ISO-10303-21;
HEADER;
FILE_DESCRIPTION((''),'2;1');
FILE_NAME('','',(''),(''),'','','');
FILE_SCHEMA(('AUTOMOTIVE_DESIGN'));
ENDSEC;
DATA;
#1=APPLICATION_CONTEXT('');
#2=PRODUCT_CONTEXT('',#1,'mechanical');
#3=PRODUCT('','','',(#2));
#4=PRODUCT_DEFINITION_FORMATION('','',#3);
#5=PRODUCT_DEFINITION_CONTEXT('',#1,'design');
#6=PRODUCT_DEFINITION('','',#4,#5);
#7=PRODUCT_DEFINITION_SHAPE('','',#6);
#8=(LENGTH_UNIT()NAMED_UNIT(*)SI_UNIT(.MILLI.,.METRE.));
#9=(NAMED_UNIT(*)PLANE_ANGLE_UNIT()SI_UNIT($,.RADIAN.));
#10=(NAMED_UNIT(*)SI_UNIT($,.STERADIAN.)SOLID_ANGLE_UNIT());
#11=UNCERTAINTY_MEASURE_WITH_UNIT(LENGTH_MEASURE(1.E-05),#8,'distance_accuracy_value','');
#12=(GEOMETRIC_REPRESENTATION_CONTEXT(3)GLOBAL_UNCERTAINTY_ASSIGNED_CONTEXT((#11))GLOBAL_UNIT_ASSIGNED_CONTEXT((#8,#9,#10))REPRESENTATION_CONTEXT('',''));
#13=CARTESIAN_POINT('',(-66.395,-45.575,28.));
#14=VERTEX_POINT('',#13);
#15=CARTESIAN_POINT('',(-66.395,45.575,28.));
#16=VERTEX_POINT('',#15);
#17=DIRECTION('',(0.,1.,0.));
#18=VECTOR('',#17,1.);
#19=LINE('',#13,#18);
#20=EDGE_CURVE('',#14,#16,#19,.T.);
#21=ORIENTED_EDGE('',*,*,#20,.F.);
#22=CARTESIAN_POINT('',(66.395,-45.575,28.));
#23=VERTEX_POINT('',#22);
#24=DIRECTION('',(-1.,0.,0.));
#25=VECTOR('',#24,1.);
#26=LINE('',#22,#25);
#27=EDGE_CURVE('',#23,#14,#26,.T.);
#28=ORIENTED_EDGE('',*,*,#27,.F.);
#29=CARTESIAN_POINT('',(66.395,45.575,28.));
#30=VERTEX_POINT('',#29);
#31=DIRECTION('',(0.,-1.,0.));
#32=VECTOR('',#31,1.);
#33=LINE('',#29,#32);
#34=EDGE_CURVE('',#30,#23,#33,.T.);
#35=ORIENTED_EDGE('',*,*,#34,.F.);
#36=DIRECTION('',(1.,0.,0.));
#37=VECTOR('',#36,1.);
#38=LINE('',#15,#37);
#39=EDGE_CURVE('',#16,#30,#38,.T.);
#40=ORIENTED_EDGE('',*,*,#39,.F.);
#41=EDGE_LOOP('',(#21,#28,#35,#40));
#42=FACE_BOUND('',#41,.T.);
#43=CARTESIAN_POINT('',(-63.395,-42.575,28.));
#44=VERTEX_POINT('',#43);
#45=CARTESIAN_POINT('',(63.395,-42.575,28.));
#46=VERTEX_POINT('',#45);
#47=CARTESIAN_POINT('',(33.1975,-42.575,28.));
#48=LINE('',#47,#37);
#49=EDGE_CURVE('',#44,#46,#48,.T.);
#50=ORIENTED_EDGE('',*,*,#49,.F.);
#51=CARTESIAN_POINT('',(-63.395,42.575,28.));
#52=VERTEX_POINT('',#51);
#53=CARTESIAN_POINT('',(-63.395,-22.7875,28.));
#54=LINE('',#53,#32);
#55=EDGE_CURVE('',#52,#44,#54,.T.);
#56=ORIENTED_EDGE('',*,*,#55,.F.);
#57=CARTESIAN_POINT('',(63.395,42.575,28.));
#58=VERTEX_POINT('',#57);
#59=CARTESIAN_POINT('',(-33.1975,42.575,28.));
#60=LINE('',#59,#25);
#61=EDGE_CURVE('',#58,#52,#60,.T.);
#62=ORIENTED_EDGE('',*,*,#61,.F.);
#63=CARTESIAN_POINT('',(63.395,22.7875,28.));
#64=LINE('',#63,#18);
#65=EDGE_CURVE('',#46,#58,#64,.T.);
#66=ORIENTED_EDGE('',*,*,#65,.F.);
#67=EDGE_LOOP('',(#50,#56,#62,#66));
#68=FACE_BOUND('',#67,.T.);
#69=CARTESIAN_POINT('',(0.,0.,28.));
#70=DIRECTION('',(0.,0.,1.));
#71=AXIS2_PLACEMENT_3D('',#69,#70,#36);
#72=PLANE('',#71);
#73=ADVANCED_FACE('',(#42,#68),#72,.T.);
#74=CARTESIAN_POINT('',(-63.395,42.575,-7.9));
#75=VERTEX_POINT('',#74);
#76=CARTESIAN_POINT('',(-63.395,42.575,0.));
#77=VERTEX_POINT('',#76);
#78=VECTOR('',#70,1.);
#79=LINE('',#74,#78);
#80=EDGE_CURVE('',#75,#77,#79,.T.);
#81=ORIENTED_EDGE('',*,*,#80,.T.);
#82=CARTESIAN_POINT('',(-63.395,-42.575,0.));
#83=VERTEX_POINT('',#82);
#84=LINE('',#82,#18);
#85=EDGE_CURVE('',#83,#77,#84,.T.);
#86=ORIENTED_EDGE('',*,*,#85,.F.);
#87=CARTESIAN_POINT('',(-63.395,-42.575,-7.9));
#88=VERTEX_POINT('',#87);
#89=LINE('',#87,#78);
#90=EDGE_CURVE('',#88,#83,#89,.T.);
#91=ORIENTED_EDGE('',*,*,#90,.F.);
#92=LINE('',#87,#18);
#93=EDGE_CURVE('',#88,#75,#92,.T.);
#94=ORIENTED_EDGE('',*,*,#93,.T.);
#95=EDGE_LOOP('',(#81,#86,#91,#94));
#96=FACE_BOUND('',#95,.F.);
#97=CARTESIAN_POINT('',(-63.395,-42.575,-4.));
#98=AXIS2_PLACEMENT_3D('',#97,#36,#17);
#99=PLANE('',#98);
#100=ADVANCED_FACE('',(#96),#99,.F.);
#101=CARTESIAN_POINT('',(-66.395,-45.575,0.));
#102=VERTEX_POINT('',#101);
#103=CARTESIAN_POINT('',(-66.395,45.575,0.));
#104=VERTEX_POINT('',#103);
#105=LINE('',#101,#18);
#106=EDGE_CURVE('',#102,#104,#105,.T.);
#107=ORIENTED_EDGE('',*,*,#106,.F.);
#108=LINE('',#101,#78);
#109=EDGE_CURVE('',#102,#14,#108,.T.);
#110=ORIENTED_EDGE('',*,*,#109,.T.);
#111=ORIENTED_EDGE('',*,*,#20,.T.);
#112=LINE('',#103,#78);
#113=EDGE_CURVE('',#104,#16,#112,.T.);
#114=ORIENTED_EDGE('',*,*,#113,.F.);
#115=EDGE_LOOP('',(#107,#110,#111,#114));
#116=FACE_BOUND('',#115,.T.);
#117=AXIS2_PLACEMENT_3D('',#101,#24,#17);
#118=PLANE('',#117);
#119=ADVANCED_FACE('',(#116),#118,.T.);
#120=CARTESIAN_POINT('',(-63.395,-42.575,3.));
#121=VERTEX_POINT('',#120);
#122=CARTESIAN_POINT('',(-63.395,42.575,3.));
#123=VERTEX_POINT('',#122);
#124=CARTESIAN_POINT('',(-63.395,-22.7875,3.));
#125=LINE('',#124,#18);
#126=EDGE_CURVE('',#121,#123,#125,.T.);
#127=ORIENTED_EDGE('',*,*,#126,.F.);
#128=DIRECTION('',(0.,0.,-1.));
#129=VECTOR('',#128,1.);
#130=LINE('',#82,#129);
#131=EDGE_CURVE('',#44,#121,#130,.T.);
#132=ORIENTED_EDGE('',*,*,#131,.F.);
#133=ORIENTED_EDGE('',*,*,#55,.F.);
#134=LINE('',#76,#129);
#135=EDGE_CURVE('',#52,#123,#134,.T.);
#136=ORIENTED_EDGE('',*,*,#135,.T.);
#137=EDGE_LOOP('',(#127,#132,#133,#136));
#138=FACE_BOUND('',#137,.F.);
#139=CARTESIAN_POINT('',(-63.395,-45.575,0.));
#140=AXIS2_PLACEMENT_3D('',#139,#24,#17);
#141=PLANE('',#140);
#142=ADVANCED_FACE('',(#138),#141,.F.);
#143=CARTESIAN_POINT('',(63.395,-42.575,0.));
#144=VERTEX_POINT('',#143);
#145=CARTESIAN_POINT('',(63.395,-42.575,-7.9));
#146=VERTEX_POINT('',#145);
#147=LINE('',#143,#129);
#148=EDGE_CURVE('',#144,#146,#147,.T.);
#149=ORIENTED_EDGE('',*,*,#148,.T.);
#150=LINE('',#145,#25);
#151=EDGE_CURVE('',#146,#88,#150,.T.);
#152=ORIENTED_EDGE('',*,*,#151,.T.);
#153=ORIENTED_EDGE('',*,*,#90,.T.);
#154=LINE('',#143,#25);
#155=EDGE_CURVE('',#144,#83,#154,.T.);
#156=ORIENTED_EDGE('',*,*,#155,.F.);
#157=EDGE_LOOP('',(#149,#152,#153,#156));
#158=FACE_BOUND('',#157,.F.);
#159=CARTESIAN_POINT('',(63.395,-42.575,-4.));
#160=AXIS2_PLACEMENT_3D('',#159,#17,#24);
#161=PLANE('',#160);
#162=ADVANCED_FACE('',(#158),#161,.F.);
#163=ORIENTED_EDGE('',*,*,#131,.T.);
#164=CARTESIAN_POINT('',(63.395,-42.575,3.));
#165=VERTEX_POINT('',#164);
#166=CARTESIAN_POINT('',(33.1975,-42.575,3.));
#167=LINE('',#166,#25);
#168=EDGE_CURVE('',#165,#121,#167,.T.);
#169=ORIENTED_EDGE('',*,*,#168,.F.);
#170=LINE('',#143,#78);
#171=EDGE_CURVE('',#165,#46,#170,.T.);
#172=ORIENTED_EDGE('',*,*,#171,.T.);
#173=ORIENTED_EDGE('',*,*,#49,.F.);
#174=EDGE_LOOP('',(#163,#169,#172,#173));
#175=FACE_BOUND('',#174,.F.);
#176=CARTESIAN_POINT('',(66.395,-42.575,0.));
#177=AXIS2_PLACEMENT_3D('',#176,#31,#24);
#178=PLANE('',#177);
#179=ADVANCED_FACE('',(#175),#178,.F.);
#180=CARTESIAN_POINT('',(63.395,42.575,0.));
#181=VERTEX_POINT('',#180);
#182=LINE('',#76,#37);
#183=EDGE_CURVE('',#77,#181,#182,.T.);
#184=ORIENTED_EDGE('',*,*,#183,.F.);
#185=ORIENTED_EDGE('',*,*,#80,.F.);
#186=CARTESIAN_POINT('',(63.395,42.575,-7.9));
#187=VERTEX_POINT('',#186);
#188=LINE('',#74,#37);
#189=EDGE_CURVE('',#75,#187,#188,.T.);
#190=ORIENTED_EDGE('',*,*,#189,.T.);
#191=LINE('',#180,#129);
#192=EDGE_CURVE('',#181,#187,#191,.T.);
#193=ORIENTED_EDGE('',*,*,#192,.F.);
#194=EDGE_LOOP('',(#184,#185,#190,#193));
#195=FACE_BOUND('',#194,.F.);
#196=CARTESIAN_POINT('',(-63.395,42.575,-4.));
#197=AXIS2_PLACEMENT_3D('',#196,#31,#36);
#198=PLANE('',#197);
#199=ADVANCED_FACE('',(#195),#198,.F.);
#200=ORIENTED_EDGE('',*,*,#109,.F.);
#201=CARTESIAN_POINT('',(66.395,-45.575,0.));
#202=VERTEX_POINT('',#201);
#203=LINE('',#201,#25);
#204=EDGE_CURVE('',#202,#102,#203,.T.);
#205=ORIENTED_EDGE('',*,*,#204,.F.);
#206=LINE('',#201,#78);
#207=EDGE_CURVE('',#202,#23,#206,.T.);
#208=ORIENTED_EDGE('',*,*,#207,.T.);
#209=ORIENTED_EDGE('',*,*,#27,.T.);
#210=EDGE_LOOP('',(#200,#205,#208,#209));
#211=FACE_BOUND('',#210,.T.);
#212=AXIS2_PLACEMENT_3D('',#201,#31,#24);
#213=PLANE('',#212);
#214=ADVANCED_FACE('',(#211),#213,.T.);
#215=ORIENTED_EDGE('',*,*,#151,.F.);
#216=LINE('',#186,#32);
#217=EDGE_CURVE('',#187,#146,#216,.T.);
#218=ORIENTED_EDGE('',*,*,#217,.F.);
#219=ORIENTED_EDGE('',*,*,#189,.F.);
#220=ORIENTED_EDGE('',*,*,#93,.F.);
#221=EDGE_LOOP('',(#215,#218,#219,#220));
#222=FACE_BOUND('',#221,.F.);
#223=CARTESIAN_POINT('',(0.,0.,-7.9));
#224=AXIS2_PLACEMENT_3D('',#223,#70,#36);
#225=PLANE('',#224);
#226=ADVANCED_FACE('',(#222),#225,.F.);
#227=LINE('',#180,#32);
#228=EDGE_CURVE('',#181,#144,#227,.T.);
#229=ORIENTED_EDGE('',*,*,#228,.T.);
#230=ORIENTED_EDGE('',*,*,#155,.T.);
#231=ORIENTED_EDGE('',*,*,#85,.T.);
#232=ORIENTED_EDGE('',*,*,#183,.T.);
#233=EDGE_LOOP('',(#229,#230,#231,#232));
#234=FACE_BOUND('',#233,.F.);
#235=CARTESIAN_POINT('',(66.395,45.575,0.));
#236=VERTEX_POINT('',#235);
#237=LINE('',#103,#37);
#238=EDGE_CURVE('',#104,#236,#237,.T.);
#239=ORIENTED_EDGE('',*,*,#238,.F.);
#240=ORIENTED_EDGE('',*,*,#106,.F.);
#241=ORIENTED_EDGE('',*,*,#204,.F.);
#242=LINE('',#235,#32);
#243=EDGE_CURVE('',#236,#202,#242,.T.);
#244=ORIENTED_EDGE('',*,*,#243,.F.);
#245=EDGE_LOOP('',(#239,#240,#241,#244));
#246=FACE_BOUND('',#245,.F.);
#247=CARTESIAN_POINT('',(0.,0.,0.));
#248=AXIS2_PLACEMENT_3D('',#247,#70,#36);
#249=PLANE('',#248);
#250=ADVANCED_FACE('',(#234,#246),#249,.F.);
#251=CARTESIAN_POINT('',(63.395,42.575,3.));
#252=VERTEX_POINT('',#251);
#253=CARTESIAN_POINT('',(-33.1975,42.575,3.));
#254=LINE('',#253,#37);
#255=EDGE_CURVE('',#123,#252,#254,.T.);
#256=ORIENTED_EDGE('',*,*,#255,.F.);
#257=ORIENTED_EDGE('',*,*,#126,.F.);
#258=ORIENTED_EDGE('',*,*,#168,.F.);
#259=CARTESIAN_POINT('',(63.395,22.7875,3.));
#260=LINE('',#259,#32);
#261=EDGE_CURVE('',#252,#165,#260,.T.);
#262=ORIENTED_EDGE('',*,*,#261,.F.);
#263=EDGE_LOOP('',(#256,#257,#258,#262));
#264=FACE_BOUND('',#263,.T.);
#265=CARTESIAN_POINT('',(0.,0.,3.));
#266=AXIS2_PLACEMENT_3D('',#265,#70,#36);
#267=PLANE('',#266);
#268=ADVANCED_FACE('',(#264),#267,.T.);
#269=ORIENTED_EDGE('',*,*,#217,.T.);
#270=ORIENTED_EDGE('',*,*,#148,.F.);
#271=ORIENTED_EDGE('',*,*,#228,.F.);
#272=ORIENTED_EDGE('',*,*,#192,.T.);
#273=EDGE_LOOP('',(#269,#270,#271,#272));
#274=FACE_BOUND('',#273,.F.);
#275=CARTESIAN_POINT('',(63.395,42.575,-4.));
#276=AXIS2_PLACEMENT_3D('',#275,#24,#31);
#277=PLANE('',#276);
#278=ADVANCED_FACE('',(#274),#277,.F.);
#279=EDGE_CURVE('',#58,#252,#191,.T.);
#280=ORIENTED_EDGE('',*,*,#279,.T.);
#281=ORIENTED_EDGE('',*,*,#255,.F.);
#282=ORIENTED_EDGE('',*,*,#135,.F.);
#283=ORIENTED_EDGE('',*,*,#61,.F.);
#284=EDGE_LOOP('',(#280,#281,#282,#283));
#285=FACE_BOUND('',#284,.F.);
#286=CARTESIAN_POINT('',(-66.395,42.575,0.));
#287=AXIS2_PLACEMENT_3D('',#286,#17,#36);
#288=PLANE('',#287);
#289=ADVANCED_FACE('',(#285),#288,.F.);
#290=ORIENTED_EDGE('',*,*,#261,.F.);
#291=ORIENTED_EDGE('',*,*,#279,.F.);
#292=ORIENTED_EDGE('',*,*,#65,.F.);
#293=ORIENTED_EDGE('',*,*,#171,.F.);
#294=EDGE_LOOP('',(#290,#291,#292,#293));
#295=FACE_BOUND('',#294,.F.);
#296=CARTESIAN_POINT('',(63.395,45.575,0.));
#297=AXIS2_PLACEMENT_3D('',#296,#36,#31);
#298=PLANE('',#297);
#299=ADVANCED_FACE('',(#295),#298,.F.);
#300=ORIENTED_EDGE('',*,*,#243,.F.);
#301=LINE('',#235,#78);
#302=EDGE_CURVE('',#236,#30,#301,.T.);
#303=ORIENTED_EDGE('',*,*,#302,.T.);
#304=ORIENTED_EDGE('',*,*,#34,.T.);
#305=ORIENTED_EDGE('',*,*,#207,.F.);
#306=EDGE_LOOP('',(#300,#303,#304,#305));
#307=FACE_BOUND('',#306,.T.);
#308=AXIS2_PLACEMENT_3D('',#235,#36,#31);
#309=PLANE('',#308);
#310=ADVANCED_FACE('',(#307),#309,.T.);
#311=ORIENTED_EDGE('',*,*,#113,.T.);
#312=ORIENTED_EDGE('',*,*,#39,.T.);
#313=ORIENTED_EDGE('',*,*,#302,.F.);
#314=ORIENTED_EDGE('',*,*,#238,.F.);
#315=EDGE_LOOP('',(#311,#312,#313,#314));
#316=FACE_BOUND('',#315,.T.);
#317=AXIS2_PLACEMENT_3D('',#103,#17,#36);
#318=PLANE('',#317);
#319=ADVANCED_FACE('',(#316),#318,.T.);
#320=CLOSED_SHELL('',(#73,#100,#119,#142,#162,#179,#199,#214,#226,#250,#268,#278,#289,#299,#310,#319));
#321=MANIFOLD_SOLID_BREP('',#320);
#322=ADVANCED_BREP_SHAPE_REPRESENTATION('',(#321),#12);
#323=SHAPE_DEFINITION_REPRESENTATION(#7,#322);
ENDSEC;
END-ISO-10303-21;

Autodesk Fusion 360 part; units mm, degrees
sketch "Sketch1" plane through (0, 0, 0) normal (0, 0, 1) x (1, 0, 0)
  line L0 (-63.395, 42.575) -> (63.395, 42.575)
  line L1 (63.395, 42.575) -> (63.395, -42.575)
  line L2 (63.395, -42.575) -> (-63.395, -42.575)
  line L3 (-63.395, -42.575) -> (-63.395, 42.575)
  line L4 (-63.395, 42.575) -> (63.395, -42.575) construction
  line L5 (63.395, 42.575) -> (-63.395, -42.575) construction
  dimension "d1" = 126.79
  dimension "d2" = 85.15
sketch "Sketch2" plane through (0, 0, 0) normal (0, 1, 0) x (1, 0, 0)
sketch "Sketch3" plane through (0, 0, 0) normal (0, 0, 1) x (1, 0, 0)
  line L0 (66.395, -45.575) -> (-66.395, -45.575)
  line L1 (-66.395, -45.575) -> (-66.395, 45.575)
  line L2 (-66.395, 45.575) -> (66.395, 45.575)
  line L3 (66.395, 45.575) -> (66.395, -45.575)
  line L4 (66.395, -45.575) -> (-66.395, 45.575) construction
  line L5 (-66.395, -45.575) -> (66.395, 45.575) construction
  dimension "d3" = 132.79
  dimension "d4" = 91.15
extrude "Extrude1" add sketch "Sketch3" along normal blind 28
shell "Shell1" thickness 3 removed faces 1 at (-22.1317, 15.1917, 28)
extrude "Extrude2" add sketch "Sketch1" against normal blind 4
extrude "Extrude3" add 1 faces at (-21.1317, 14.1917, -4) along direction (0, 0, -1) blind 3.9
